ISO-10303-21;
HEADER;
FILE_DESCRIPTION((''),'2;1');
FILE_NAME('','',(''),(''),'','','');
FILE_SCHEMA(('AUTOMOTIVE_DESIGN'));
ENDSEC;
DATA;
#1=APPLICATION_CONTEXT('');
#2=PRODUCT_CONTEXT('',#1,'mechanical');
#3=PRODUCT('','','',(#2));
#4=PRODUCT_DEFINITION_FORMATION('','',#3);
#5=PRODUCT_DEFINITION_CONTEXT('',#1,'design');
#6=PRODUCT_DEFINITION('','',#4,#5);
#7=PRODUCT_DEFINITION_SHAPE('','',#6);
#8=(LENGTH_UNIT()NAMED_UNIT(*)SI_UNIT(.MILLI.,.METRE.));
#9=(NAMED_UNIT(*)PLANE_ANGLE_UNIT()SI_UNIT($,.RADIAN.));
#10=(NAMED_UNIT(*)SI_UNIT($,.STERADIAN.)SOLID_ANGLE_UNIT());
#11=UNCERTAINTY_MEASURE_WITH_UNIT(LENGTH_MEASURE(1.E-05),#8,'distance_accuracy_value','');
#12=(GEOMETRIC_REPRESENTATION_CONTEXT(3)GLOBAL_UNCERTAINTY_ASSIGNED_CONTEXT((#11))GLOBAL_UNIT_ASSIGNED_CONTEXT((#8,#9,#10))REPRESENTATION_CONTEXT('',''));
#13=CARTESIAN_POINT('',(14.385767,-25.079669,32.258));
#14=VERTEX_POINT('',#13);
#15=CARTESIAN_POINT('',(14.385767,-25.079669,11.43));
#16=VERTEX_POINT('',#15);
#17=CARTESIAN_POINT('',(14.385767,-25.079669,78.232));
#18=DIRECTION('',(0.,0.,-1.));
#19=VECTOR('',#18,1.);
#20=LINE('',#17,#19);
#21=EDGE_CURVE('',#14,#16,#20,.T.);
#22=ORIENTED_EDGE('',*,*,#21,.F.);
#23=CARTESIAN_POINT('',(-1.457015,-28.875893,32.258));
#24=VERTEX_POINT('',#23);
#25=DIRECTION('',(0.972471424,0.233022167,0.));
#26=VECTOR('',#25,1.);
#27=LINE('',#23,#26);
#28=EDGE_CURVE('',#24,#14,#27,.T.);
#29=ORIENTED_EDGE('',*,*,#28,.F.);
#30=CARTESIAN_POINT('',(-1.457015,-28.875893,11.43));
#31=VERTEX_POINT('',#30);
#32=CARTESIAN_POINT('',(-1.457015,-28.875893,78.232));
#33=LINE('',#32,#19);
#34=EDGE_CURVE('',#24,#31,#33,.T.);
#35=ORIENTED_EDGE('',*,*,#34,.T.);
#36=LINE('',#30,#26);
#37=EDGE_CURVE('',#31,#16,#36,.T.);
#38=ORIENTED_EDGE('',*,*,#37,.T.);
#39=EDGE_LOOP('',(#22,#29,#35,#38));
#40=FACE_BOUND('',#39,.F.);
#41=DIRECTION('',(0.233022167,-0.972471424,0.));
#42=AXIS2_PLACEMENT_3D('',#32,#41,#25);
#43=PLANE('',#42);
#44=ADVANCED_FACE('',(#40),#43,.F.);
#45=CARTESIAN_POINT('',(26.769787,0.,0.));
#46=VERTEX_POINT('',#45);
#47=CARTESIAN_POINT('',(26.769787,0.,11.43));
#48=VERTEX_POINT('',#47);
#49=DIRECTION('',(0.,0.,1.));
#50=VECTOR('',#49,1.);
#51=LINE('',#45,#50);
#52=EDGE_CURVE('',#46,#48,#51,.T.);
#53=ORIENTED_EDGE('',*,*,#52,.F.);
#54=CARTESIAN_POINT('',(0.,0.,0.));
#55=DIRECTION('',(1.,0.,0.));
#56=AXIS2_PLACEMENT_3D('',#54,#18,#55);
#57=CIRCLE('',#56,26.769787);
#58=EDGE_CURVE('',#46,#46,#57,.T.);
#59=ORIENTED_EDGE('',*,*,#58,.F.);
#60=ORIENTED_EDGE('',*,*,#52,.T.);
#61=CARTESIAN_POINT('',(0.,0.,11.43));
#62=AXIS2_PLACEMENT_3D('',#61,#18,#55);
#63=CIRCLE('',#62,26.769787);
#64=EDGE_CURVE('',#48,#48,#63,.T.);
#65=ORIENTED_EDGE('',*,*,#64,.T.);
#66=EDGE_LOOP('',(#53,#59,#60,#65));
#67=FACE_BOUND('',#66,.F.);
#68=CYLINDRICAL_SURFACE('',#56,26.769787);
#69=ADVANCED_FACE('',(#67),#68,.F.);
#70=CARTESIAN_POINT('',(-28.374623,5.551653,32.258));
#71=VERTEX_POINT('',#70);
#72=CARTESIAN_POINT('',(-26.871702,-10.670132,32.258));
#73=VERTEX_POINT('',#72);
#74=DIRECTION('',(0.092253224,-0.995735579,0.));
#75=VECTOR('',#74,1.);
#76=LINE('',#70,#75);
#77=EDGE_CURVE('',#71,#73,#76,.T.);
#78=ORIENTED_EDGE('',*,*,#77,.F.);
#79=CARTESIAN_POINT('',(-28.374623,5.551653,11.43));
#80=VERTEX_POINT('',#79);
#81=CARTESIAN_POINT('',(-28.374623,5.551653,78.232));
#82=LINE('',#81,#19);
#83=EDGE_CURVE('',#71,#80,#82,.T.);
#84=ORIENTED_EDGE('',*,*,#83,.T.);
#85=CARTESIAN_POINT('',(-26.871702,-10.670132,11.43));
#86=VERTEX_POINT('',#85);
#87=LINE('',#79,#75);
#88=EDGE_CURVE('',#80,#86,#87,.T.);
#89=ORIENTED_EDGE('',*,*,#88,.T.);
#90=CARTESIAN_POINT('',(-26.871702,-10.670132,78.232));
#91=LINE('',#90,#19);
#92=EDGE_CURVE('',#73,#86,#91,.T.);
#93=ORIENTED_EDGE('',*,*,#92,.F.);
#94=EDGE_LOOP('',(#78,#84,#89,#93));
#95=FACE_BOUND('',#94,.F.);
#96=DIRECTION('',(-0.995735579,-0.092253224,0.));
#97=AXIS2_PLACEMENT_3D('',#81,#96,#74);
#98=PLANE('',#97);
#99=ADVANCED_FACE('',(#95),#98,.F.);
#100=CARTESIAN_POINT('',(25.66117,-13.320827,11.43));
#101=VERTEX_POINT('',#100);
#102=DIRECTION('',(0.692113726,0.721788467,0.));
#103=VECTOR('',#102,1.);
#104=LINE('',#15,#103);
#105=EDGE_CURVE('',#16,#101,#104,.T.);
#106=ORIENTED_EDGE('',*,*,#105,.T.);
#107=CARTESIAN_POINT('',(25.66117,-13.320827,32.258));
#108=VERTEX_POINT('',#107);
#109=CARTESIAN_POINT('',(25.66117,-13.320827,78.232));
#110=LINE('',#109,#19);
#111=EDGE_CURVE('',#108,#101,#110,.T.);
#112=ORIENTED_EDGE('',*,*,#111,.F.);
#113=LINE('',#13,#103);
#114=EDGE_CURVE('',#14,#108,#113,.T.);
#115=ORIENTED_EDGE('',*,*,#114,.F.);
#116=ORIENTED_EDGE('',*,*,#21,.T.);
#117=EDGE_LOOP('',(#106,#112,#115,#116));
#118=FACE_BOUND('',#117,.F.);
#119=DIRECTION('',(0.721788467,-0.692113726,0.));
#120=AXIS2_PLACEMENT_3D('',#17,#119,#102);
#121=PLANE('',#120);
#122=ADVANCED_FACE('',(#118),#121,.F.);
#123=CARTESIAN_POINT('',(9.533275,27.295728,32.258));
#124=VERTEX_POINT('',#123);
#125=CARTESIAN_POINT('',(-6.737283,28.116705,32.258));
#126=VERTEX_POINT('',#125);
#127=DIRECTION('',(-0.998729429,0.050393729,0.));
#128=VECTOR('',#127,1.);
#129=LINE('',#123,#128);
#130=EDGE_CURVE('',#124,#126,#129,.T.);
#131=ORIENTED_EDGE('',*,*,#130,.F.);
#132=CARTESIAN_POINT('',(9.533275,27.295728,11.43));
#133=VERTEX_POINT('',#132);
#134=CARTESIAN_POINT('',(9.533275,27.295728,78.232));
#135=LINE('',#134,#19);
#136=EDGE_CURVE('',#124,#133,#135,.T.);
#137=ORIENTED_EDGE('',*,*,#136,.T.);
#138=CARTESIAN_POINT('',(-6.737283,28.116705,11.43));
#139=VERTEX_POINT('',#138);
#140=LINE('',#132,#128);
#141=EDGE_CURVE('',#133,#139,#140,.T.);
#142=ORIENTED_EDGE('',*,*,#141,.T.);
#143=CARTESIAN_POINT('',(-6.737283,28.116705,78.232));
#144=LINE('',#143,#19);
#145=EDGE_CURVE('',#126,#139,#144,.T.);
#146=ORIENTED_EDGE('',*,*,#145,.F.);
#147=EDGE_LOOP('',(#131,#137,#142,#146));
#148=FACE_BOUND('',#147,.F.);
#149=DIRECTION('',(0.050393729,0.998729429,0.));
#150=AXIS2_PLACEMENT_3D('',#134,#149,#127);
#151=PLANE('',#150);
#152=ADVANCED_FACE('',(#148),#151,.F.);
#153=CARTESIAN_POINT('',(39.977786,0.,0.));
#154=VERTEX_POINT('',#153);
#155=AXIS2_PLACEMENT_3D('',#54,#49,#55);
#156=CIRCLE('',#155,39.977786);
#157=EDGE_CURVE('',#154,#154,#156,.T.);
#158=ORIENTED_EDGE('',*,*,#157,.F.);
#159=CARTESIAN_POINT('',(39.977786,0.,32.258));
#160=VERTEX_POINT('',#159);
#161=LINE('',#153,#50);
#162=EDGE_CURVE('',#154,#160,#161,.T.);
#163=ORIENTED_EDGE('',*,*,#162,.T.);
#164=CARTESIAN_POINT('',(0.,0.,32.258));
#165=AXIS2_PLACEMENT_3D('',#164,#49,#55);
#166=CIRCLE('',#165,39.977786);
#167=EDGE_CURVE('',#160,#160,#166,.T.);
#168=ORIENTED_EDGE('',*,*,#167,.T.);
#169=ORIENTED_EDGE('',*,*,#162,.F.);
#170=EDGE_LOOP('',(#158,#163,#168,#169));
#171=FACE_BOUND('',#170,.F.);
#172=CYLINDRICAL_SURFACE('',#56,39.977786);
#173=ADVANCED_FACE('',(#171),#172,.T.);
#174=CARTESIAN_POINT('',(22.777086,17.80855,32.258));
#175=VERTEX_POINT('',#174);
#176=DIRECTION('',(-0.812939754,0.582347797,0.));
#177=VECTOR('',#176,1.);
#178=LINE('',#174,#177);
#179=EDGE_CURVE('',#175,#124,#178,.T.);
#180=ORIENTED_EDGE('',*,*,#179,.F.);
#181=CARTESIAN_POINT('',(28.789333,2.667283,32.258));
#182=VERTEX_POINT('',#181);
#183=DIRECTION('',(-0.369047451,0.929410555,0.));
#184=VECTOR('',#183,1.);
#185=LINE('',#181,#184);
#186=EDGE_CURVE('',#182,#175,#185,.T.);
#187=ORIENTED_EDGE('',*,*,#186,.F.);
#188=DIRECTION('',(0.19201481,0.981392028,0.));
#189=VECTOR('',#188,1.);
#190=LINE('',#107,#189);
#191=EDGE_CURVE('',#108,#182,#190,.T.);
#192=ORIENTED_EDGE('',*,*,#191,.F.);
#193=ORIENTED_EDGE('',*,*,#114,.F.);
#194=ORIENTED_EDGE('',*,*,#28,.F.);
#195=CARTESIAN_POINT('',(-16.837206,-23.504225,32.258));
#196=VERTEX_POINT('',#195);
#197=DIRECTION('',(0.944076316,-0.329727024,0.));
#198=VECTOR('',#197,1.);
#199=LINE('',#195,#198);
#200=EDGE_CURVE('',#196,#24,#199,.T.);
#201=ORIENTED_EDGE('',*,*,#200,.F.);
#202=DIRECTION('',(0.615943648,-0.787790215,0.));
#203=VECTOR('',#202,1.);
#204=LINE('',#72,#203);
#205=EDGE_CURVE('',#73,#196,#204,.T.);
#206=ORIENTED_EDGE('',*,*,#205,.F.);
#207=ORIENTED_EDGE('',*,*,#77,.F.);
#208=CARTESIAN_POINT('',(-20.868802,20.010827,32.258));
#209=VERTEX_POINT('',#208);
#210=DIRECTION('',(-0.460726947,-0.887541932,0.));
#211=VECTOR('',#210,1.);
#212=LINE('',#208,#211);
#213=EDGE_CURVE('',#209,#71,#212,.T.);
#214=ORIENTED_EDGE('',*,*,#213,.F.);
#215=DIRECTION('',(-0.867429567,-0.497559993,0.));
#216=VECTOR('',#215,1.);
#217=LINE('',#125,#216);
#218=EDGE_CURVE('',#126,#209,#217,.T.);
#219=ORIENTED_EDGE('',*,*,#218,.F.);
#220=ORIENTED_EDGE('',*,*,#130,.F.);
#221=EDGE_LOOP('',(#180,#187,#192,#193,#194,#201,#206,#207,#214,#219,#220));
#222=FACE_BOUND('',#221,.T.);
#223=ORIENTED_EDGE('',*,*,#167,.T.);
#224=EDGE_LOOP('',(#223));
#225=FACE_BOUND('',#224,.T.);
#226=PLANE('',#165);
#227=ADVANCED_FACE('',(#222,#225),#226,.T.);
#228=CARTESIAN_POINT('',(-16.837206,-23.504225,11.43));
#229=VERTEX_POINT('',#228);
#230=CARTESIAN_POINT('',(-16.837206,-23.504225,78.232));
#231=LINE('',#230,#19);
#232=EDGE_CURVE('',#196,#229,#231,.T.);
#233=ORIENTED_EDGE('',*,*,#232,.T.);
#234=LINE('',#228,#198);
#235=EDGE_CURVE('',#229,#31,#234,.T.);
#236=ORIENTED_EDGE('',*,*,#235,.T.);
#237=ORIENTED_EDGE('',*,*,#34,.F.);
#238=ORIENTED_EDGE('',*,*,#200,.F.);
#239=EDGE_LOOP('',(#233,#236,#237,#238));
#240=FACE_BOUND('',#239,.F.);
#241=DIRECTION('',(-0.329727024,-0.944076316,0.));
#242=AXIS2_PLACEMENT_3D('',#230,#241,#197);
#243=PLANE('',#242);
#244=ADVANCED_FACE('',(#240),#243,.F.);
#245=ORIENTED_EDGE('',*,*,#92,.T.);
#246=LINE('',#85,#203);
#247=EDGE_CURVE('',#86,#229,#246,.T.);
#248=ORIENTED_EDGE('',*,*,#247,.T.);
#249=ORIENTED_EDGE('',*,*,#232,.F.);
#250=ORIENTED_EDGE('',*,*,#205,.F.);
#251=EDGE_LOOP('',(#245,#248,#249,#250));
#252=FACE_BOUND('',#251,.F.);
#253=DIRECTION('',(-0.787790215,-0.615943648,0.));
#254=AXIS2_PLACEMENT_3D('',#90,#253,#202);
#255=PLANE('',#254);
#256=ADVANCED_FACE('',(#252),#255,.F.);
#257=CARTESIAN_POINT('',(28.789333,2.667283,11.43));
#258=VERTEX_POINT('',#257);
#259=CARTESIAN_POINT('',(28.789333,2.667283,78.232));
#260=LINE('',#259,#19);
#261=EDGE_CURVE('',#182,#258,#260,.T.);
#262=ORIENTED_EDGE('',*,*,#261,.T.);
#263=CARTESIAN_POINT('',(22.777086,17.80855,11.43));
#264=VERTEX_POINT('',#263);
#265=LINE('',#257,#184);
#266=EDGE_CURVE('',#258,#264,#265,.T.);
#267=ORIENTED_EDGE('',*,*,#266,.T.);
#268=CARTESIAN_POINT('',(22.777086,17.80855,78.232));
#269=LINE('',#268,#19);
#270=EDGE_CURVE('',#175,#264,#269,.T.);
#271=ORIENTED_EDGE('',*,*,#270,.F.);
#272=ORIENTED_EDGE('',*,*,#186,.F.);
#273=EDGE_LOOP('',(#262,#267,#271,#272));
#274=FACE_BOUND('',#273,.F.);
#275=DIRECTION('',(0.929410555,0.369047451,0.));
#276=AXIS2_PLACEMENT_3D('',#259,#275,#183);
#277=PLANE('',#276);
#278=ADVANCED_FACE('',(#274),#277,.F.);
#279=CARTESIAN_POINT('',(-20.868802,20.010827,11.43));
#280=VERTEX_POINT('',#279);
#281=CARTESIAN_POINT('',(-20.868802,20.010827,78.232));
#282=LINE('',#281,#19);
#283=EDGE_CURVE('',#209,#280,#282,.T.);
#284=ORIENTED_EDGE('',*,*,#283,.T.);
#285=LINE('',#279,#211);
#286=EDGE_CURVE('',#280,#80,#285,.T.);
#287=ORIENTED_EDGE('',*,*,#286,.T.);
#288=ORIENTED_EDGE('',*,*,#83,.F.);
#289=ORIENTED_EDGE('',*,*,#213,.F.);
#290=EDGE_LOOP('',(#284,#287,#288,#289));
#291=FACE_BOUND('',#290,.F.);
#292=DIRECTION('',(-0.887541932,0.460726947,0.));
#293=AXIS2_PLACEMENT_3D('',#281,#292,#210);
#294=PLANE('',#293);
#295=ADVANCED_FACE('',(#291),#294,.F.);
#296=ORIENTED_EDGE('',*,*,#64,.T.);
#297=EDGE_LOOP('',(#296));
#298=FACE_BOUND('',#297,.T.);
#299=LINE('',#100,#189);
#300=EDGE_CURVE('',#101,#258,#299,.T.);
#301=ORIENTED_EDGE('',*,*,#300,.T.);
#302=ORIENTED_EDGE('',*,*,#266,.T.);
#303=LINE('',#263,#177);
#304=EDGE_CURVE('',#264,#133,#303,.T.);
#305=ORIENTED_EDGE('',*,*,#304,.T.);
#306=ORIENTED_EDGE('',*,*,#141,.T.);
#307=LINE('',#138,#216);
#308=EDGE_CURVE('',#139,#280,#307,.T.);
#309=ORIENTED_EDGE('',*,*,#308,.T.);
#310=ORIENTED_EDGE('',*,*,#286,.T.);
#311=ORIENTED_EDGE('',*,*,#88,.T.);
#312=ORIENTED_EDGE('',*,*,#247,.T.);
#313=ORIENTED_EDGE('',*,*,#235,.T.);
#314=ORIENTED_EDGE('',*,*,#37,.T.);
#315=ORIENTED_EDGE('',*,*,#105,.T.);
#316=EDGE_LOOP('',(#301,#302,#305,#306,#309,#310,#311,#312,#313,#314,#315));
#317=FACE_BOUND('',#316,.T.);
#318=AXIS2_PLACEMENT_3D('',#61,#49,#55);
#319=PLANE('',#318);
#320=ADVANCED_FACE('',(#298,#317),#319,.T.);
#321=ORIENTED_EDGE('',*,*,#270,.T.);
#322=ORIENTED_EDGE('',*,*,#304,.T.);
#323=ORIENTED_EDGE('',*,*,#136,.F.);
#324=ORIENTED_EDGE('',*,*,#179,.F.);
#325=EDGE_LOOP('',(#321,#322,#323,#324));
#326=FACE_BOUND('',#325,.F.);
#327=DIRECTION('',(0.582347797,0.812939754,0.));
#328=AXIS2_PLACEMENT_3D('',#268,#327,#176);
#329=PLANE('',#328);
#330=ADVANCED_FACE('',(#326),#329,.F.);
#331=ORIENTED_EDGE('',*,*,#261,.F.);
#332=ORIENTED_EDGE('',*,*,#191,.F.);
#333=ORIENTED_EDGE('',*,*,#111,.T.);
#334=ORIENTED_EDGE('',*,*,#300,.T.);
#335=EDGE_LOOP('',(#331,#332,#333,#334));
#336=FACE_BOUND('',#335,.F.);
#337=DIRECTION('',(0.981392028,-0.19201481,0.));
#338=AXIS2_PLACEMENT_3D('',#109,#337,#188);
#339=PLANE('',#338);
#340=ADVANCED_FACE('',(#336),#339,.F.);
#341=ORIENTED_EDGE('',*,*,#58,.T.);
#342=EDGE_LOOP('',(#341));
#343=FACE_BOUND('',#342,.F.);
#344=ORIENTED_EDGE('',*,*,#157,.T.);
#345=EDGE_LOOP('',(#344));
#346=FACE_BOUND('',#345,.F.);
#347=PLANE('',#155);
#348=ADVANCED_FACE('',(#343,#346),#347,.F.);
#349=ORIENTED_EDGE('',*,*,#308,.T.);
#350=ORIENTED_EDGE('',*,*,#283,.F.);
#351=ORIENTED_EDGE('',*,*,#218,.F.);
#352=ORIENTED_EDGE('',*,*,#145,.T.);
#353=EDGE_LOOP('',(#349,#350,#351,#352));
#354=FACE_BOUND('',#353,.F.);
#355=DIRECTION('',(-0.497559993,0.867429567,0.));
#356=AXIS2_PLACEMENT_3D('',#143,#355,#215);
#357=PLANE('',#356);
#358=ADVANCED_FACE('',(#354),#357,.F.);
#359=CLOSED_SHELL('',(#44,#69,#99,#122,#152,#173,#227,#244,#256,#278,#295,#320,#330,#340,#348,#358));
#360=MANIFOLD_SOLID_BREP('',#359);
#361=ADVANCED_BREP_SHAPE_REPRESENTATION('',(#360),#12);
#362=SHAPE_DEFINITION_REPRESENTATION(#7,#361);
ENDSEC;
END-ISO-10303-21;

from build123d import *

# Parameters (mm, degrees)
F0_R     = 39.9777863274
F1_DEPTH = 53.594
F3_DEPTH = 24.638
F4_DEPTH = 66.802
F5_R     = 26.7697870731
F6_DEPTH = 37.592
F7_DEPTH = 21.336


with BuildPart() as f1:
    # F0 (on Top) → F1 (new body)
    with BuildSketch(Plane.XY):
        Circle(F0_R)
    extrude(amount=F1_DEPTH)

    # F2 (on face) → F3 (join)
    with BuildSketch(Plane.XY.offset(53.594)):
        Polygon((-1.4570151686, -28.8758932938), (14.3857673972, -25.0796691189), (25.6611704593, -13.3208272032), (28.7893332138, 2.6672832291), (22.7770860886, 17.8085500823), (9.5332750655, 27.2957281135), (-6.7372834321, 28.1167053311), (-20.8688020433, 20.0108272692), (-28.3746234576, 5.5516529391), (-26.8717024097, -10.6701319731), (-16.8372057131, -23.5042253753), align=None)
    extrude(amount=F3_DEPTH)

    # F4 (cut): a face of the model
    f4_faces = [f1.faces().sort_by_distance(p)[0] for p in [
        (0, 0, 78.232),
    ]]
    extrude(f4_faces, amount=-F4_DEPTH, mode=Mode.SUBTRACT)

    # F5 (on face) → F6 (cut)
    with BuildSketch(Plane(origin=(0, 0, 0), x_dir=(1, 0, 0), z_dir=(0, 0, -1))):
        Circle(F5_R)
    extrude(amount=-F6_DEPTH, mode=Mode.SUBTRACT)

    # F7 (cut): a face of the model
    f7_faces = [f1.faces().sort_by_distance(p)[0] for p in [
        (-38.8470437751, 0, 53.594),
    ]]
    extrude(f7_faces, amount=-F7_DEPTH, mode=Mode.SUBTRACT)


solid = f1.part
